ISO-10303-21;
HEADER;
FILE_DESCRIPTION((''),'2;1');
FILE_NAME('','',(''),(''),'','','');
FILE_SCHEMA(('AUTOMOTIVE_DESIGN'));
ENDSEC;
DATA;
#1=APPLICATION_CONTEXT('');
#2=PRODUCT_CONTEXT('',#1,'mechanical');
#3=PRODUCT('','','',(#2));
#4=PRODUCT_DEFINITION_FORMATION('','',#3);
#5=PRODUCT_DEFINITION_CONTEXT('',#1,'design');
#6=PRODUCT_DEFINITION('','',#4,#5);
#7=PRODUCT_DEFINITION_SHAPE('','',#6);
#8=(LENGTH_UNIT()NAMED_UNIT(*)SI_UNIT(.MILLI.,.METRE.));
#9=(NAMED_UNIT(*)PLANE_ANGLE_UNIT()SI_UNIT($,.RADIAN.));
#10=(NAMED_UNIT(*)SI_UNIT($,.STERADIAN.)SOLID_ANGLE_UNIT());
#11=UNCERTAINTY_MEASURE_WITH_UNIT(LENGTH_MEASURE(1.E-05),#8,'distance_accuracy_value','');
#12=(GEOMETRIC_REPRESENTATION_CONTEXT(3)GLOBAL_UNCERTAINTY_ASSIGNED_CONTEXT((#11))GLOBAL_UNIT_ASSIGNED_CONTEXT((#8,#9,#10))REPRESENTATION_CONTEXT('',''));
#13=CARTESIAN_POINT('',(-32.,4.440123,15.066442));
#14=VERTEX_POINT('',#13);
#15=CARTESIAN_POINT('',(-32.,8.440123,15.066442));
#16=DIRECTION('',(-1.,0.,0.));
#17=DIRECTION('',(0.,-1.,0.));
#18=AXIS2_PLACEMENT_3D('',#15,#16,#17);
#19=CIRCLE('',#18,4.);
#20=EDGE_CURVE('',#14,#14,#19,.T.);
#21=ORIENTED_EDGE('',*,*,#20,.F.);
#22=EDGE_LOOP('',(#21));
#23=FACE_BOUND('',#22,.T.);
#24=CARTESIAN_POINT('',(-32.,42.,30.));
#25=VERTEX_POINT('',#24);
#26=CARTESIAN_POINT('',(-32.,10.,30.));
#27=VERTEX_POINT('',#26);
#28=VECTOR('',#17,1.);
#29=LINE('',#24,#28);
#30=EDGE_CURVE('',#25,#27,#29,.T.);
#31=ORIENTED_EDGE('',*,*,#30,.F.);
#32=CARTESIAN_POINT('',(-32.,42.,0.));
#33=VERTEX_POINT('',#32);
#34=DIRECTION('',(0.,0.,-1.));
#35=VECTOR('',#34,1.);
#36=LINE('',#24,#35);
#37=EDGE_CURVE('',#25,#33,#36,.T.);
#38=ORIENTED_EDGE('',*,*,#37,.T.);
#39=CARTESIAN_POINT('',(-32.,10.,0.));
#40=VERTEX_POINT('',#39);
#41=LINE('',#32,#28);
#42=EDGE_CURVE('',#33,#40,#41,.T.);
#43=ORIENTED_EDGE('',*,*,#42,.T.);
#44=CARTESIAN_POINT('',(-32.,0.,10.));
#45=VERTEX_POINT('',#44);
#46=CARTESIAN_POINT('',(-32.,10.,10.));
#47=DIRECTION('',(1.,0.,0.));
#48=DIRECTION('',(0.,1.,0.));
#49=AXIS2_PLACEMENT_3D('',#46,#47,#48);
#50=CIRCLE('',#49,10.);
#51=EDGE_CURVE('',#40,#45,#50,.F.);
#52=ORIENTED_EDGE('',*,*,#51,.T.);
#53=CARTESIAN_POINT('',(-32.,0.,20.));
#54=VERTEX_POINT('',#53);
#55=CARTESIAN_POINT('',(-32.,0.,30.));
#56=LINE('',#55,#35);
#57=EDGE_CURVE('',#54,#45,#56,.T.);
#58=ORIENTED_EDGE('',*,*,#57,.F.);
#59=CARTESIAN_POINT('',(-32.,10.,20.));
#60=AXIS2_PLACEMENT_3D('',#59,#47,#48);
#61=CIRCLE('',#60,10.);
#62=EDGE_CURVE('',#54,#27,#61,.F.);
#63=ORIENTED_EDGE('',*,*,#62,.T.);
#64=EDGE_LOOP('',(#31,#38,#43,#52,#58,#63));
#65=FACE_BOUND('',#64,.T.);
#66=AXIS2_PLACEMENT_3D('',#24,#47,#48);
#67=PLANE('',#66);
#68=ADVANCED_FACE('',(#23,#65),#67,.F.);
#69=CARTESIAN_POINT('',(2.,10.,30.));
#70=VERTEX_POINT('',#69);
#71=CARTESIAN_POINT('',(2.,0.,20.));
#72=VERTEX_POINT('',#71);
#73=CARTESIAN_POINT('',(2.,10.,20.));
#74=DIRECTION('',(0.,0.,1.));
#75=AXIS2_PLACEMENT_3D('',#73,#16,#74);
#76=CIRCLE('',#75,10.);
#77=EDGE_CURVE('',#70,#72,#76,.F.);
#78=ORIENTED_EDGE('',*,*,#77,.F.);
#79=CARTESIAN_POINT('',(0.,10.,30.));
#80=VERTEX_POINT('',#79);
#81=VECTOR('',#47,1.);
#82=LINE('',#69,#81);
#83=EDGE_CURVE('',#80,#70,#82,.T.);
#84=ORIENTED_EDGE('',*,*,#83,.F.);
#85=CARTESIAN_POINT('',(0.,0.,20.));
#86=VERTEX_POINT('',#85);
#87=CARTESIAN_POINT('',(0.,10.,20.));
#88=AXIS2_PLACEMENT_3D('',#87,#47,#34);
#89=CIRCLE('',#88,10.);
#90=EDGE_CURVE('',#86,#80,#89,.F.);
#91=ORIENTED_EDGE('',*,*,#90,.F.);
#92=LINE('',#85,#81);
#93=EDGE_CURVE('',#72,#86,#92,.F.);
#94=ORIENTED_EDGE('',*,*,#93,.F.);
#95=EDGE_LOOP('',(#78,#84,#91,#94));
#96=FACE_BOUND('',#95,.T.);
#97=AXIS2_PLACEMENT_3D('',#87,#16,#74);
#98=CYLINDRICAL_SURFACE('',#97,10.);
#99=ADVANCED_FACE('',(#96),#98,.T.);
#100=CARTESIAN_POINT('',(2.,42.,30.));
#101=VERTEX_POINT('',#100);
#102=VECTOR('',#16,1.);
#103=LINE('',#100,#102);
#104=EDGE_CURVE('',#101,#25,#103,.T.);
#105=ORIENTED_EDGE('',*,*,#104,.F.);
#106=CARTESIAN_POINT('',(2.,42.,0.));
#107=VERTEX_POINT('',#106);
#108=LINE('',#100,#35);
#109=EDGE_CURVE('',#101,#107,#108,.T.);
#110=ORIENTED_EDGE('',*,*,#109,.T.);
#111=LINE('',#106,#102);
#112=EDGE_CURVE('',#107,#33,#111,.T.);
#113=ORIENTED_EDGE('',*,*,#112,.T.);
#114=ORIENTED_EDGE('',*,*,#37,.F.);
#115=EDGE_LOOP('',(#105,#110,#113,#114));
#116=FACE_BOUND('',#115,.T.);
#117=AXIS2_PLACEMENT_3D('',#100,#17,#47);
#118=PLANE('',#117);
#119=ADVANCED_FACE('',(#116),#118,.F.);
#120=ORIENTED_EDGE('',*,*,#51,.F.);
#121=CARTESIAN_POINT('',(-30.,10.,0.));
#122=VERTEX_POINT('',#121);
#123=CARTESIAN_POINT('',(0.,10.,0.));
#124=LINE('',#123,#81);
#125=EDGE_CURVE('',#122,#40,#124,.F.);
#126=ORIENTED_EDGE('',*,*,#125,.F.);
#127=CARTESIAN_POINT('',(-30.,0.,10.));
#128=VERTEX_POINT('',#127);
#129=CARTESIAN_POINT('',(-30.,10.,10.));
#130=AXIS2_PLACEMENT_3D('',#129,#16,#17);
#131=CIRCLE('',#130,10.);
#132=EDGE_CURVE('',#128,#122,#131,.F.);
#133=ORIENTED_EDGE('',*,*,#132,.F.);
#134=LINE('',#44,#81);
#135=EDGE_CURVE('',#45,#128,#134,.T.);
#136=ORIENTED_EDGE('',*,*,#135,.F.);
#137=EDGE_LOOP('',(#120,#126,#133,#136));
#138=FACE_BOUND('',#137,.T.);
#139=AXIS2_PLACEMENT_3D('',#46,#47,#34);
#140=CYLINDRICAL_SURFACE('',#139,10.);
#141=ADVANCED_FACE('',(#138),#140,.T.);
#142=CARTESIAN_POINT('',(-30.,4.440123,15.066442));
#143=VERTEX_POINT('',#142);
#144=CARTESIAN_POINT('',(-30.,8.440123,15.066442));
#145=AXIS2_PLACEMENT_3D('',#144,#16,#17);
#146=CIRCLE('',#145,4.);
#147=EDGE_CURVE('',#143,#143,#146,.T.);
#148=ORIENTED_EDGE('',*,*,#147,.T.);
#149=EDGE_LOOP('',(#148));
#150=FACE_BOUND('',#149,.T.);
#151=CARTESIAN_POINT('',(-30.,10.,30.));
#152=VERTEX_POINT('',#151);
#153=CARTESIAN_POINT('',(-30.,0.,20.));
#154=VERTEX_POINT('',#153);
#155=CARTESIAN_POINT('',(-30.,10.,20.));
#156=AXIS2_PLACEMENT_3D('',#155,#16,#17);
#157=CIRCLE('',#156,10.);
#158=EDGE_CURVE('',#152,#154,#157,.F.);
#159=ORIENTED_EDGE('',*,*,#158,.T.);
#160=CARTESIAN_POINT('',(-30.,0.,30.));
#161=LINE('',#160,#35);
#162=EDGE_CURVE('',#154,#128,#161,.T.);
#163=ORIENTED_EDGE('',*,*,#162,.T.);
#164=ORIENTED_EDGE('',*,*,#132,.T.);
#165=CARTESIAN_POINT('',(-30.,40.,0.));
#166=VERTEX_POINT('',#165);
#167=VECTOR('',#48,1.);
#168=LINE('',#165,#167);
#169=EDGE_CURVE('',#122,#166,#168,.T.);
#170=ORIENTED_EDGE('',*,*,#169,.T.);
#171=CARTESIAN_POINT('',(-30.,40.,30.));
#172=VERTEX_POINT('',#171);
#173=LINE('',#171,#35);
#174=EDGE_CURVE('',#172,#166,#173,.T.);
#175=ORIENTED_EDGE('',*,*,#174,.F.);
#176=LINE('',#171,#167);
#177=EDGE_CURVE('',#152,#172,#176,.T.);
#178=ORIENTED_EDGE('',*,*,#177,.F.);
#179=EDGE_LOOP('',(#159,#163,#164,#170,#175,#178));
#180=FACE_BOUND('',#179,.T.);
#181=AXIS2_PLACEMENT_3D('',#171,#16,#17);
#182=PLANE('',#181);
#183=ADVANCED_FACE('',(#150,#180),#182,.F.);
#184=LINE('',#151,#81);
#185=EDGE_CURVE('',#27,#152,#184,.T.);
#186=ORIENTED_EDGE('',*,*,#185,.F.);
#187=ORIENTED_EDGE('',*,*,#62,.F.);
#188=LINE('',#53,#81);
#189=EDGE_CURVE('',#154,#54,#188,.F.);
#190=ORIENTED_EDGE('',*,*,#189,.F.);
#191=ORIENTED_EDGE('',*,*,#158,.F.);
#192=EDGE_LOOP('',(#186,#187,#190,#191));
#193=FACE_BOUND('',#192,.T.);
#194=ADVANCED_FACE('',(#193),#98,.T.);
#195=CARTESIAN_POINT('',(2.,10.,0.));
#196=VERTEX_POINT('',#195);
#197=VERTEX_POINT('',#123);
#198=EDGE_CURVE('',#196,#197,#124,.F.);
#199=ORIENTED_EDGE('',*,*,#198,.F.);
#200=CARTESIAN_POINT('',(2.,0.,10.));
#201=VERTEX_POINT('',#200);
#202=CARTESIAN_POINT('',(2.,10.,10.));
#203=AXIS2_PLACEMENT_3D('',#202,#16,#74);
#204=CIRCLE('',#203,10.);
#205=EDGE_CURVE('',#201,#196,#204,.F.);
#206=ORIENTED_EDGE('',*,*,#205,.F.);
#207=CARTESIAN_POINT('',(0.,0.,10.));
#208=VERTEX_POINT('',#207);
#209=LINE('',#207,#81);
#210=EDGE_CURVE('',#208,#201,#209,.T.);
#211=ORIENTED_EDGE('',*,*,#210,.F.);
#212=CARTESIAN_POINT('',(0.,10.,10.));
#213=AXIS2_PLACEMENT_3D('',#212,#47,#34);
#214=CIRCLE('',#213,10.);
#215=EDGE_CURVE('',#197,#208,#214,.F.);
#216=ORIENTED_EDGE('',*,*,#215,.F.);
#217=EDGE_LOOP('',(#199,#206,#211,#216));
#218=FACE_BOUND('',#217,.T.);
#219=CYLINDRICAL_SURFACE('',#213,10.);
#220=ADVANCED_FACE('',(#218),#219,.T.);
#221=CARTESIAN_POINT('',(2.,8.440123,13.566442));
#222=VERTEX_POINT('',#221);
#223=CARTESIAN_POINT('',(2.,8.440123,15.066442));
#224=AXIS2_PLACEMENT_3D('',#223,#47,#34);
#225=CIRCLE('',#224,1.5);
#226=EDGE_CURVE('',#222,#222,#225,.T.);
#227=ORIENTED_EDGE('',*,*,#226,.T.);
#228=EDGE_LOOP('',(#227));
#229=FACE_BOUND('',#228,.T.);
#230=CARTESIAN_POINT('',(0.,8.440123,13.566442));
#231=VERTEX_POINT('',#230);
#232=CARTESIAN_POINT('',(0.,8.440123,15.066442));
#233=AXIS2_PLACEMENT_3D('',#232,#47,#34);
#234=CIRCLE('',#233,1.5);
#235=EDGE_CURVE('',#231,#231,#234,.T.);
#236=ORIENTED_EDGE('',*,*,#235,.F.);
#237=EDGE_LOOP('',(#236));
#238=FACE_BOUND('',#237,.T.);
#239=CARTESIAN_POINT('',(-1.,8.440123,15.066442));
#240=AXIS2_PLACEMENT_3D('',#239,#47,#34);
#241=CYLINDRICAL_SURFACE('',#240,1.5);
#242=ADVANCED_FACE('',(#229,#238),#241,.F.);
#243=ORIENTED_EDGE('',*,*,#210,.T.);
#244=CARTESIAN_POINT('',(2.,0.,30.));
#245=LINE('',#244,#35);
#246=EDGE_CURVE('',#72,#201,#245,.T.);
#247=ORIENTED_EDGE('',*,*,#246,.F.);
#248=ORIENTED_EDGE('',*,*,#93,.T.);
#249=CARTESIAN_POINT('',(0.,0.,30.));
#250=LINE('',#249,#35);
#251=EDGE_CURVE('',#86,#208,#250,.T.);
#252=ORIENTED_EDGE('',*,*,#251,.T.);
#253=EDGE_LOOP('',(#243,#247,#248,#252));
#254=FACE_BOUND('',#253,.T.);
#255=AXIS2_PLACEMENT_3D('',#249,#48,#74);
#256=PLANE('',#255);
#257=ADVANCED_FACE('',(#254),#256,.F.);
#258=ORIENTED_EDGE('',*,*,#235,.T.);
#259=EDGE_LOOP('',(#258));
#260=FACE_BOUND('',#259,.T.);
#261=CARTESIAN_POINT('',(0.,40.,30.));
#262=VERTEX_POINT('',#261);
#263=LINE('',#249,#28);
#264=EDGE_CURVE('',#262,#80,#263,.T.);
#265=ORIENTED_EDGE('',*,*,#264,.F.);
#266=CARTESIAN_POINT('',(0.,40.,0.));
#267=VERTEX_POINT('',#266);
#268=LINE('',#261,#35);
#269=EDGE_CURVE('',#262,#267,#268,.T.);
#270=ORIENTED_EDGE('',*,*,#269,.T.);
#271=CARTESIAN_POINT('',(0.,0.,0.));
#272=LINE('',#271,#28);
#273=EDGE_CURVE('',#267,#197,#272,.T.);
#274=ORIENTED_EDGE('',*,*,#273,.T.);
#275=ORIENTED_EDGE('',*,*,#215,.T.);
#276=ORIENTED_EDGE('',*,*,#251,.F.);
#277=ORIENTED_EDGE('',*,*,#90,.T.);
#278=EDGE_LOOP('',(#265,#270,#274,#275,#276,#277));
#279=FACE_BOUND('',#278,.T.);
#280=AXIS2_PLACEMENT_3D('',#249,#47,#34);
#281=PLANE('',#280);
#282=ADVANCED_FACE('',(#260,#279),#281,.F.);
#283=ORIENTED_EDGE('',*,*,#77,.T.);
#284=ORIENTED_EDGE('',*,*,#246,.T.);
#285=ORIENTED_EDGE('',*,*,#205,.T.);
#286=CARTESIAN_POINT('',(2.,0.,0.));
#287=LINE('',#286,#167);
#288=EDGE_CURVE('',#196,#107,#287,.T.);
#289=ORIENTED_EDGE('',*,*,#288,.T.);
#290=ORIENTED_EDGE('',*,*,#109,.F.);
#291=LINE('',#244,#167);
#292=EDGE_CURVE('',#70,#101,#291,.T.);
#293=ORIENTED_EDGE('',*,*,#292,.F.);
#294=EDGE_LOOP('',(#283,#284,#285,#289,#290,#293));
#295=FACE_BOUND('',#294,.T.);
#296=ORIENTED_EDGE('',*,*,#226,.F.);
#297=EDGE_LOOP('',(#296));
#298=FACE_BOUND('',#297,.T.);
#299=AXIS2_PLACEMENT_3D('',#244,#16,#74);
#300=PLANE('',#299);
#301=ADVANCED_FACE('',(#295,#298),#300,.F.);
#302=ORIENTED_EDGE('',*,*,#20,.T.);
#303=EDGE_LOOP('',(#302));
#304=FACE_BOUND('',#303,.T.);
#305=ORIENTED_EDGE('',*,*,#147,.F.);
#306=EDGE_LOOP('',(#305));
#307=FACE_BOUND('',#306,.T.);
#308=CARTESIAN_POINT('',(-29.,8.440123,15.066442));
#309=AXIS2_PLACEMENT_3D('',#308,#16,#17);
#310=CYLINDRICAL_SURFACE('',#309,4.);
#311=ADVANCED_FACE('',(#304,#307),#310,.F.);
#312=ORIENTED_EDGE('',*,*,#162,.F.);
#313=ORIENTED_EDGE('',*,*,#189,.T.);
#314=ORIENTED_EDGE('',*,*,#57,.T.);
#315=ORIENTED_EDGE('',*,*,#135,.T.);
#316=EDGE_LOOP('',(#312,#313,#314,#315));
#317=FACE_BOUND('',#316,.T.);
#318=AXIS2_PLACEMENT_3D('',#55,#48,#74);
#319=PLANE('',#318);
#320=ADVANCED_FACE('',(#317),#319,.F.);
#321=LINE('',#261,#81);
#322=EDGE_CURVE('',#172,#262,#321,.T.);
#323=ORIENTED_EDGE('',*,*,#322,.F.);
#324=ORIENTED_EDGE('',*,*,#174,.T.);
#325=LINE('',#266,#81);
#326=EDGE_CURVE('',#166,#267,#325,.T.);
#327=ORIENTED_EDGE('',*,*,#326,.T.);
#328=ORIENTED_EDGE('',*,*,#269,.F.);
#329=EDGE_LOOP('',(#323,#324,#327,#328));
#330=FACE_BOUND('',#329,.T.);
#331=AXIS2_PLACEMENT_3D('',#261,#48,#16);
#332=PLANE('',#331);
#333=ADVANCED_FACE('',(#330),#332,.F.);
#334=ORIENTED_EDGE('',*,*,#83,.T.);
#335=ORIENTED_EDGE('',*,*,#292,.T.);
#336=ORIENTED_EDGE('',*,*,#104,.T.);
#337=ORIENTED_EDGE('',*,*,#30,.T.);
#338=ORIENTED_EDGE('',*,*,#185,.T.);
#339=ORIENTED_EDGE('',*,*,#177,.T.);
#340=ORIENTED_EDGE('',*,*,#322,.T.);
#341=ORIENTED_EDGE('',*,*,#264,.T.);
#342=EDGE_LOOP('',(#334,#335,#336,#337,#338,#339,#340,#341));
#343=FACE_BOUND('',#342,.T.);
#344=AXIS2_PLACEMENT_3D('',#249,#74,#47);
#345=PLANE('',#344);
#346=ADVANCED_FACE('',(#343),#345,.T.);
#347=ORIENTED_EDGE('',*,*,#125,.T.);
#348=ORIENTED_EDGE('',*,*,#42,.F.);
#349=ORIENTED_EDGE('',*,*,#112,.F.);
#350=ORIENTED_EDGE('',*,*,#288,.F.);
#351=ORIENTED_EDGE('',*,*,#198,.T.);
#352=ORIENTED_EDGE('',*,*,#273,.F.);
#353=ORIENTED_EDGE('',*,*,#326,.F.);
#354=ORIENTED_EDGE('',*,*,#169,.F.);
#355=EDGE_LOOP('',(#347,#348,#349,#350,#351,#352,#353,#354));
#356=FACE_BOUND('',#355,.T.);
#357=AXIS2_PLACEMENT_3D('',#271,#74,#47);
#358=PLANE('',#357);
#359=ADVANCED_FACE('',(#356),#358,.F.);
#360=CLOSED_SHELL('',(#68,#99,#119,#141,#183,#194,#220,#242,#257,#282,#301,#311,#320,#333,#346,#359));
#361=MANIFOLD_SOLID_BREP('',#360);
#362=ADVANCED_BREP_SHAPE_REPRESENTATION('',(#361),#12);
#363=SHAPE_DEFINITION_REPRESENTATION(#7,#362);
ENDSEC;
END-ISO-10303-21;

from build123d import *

# Parameters (mm, degrees)
BOSS_EXTRUDE1_DEPTH = 30
FILLET1_R           = 10
SKETCH4_R           = 4
CUT_EXTRUDE1_DEPTH  = 3
SKETCH5_R           = 1.5
CUT_EXTRUDE2_DEPTH  = 3


with BuildPart() as part:
    # Sketch1 → Boss-Extrude1 (new body)
    with BuildSketch(Plane.XY):
        Polygon((0, 0), (0, 40), (-30, 40), (-30, 0), (-32, 0), (-32, 42), (2, 42), (2, 0), align=None)
    extrude(amount=BOSS_EXTRUDE1_DEPTH)

    # Fillet1
    fillet1_edges = [part.edges().sort_by_distance(p)[0] for p in [
        (1, 0, 0),
        (-31, 0, 30),
        (1, 0, 30),
        (-31, 0, 0),
    ]]
    fillet(fillet1_edges, radius=FILLET1_R)

    # Sketch4 → Cut-Extrude1 (cut)
    with BuildSketch(Plane.ZY.offset(32)):
        with Locations(Location((15.066442129, 8.440123405, 0), (0, 0, 270))):
            Circle(SKETCH4_R)
    extrude(amount=-CUT_EXTRUDE1_DEPTH, mode=Mode.SUBTRACT)

    # Sketch5 → Cut-Extrude2 (cut)
    with BuildSketch(Plane(origin=(2, 0, 0), x_dir=(0, 0, -1), z_dir=(1, 0, 0))):
        with Locations((-15.066442129, 8.440123405)):
            Circle(SKETCH5_R)
    extrude(amount=-CUT_EXTRUDE2_DEPTH, mode=Mode.SUBTRACT)


solid = part.part
